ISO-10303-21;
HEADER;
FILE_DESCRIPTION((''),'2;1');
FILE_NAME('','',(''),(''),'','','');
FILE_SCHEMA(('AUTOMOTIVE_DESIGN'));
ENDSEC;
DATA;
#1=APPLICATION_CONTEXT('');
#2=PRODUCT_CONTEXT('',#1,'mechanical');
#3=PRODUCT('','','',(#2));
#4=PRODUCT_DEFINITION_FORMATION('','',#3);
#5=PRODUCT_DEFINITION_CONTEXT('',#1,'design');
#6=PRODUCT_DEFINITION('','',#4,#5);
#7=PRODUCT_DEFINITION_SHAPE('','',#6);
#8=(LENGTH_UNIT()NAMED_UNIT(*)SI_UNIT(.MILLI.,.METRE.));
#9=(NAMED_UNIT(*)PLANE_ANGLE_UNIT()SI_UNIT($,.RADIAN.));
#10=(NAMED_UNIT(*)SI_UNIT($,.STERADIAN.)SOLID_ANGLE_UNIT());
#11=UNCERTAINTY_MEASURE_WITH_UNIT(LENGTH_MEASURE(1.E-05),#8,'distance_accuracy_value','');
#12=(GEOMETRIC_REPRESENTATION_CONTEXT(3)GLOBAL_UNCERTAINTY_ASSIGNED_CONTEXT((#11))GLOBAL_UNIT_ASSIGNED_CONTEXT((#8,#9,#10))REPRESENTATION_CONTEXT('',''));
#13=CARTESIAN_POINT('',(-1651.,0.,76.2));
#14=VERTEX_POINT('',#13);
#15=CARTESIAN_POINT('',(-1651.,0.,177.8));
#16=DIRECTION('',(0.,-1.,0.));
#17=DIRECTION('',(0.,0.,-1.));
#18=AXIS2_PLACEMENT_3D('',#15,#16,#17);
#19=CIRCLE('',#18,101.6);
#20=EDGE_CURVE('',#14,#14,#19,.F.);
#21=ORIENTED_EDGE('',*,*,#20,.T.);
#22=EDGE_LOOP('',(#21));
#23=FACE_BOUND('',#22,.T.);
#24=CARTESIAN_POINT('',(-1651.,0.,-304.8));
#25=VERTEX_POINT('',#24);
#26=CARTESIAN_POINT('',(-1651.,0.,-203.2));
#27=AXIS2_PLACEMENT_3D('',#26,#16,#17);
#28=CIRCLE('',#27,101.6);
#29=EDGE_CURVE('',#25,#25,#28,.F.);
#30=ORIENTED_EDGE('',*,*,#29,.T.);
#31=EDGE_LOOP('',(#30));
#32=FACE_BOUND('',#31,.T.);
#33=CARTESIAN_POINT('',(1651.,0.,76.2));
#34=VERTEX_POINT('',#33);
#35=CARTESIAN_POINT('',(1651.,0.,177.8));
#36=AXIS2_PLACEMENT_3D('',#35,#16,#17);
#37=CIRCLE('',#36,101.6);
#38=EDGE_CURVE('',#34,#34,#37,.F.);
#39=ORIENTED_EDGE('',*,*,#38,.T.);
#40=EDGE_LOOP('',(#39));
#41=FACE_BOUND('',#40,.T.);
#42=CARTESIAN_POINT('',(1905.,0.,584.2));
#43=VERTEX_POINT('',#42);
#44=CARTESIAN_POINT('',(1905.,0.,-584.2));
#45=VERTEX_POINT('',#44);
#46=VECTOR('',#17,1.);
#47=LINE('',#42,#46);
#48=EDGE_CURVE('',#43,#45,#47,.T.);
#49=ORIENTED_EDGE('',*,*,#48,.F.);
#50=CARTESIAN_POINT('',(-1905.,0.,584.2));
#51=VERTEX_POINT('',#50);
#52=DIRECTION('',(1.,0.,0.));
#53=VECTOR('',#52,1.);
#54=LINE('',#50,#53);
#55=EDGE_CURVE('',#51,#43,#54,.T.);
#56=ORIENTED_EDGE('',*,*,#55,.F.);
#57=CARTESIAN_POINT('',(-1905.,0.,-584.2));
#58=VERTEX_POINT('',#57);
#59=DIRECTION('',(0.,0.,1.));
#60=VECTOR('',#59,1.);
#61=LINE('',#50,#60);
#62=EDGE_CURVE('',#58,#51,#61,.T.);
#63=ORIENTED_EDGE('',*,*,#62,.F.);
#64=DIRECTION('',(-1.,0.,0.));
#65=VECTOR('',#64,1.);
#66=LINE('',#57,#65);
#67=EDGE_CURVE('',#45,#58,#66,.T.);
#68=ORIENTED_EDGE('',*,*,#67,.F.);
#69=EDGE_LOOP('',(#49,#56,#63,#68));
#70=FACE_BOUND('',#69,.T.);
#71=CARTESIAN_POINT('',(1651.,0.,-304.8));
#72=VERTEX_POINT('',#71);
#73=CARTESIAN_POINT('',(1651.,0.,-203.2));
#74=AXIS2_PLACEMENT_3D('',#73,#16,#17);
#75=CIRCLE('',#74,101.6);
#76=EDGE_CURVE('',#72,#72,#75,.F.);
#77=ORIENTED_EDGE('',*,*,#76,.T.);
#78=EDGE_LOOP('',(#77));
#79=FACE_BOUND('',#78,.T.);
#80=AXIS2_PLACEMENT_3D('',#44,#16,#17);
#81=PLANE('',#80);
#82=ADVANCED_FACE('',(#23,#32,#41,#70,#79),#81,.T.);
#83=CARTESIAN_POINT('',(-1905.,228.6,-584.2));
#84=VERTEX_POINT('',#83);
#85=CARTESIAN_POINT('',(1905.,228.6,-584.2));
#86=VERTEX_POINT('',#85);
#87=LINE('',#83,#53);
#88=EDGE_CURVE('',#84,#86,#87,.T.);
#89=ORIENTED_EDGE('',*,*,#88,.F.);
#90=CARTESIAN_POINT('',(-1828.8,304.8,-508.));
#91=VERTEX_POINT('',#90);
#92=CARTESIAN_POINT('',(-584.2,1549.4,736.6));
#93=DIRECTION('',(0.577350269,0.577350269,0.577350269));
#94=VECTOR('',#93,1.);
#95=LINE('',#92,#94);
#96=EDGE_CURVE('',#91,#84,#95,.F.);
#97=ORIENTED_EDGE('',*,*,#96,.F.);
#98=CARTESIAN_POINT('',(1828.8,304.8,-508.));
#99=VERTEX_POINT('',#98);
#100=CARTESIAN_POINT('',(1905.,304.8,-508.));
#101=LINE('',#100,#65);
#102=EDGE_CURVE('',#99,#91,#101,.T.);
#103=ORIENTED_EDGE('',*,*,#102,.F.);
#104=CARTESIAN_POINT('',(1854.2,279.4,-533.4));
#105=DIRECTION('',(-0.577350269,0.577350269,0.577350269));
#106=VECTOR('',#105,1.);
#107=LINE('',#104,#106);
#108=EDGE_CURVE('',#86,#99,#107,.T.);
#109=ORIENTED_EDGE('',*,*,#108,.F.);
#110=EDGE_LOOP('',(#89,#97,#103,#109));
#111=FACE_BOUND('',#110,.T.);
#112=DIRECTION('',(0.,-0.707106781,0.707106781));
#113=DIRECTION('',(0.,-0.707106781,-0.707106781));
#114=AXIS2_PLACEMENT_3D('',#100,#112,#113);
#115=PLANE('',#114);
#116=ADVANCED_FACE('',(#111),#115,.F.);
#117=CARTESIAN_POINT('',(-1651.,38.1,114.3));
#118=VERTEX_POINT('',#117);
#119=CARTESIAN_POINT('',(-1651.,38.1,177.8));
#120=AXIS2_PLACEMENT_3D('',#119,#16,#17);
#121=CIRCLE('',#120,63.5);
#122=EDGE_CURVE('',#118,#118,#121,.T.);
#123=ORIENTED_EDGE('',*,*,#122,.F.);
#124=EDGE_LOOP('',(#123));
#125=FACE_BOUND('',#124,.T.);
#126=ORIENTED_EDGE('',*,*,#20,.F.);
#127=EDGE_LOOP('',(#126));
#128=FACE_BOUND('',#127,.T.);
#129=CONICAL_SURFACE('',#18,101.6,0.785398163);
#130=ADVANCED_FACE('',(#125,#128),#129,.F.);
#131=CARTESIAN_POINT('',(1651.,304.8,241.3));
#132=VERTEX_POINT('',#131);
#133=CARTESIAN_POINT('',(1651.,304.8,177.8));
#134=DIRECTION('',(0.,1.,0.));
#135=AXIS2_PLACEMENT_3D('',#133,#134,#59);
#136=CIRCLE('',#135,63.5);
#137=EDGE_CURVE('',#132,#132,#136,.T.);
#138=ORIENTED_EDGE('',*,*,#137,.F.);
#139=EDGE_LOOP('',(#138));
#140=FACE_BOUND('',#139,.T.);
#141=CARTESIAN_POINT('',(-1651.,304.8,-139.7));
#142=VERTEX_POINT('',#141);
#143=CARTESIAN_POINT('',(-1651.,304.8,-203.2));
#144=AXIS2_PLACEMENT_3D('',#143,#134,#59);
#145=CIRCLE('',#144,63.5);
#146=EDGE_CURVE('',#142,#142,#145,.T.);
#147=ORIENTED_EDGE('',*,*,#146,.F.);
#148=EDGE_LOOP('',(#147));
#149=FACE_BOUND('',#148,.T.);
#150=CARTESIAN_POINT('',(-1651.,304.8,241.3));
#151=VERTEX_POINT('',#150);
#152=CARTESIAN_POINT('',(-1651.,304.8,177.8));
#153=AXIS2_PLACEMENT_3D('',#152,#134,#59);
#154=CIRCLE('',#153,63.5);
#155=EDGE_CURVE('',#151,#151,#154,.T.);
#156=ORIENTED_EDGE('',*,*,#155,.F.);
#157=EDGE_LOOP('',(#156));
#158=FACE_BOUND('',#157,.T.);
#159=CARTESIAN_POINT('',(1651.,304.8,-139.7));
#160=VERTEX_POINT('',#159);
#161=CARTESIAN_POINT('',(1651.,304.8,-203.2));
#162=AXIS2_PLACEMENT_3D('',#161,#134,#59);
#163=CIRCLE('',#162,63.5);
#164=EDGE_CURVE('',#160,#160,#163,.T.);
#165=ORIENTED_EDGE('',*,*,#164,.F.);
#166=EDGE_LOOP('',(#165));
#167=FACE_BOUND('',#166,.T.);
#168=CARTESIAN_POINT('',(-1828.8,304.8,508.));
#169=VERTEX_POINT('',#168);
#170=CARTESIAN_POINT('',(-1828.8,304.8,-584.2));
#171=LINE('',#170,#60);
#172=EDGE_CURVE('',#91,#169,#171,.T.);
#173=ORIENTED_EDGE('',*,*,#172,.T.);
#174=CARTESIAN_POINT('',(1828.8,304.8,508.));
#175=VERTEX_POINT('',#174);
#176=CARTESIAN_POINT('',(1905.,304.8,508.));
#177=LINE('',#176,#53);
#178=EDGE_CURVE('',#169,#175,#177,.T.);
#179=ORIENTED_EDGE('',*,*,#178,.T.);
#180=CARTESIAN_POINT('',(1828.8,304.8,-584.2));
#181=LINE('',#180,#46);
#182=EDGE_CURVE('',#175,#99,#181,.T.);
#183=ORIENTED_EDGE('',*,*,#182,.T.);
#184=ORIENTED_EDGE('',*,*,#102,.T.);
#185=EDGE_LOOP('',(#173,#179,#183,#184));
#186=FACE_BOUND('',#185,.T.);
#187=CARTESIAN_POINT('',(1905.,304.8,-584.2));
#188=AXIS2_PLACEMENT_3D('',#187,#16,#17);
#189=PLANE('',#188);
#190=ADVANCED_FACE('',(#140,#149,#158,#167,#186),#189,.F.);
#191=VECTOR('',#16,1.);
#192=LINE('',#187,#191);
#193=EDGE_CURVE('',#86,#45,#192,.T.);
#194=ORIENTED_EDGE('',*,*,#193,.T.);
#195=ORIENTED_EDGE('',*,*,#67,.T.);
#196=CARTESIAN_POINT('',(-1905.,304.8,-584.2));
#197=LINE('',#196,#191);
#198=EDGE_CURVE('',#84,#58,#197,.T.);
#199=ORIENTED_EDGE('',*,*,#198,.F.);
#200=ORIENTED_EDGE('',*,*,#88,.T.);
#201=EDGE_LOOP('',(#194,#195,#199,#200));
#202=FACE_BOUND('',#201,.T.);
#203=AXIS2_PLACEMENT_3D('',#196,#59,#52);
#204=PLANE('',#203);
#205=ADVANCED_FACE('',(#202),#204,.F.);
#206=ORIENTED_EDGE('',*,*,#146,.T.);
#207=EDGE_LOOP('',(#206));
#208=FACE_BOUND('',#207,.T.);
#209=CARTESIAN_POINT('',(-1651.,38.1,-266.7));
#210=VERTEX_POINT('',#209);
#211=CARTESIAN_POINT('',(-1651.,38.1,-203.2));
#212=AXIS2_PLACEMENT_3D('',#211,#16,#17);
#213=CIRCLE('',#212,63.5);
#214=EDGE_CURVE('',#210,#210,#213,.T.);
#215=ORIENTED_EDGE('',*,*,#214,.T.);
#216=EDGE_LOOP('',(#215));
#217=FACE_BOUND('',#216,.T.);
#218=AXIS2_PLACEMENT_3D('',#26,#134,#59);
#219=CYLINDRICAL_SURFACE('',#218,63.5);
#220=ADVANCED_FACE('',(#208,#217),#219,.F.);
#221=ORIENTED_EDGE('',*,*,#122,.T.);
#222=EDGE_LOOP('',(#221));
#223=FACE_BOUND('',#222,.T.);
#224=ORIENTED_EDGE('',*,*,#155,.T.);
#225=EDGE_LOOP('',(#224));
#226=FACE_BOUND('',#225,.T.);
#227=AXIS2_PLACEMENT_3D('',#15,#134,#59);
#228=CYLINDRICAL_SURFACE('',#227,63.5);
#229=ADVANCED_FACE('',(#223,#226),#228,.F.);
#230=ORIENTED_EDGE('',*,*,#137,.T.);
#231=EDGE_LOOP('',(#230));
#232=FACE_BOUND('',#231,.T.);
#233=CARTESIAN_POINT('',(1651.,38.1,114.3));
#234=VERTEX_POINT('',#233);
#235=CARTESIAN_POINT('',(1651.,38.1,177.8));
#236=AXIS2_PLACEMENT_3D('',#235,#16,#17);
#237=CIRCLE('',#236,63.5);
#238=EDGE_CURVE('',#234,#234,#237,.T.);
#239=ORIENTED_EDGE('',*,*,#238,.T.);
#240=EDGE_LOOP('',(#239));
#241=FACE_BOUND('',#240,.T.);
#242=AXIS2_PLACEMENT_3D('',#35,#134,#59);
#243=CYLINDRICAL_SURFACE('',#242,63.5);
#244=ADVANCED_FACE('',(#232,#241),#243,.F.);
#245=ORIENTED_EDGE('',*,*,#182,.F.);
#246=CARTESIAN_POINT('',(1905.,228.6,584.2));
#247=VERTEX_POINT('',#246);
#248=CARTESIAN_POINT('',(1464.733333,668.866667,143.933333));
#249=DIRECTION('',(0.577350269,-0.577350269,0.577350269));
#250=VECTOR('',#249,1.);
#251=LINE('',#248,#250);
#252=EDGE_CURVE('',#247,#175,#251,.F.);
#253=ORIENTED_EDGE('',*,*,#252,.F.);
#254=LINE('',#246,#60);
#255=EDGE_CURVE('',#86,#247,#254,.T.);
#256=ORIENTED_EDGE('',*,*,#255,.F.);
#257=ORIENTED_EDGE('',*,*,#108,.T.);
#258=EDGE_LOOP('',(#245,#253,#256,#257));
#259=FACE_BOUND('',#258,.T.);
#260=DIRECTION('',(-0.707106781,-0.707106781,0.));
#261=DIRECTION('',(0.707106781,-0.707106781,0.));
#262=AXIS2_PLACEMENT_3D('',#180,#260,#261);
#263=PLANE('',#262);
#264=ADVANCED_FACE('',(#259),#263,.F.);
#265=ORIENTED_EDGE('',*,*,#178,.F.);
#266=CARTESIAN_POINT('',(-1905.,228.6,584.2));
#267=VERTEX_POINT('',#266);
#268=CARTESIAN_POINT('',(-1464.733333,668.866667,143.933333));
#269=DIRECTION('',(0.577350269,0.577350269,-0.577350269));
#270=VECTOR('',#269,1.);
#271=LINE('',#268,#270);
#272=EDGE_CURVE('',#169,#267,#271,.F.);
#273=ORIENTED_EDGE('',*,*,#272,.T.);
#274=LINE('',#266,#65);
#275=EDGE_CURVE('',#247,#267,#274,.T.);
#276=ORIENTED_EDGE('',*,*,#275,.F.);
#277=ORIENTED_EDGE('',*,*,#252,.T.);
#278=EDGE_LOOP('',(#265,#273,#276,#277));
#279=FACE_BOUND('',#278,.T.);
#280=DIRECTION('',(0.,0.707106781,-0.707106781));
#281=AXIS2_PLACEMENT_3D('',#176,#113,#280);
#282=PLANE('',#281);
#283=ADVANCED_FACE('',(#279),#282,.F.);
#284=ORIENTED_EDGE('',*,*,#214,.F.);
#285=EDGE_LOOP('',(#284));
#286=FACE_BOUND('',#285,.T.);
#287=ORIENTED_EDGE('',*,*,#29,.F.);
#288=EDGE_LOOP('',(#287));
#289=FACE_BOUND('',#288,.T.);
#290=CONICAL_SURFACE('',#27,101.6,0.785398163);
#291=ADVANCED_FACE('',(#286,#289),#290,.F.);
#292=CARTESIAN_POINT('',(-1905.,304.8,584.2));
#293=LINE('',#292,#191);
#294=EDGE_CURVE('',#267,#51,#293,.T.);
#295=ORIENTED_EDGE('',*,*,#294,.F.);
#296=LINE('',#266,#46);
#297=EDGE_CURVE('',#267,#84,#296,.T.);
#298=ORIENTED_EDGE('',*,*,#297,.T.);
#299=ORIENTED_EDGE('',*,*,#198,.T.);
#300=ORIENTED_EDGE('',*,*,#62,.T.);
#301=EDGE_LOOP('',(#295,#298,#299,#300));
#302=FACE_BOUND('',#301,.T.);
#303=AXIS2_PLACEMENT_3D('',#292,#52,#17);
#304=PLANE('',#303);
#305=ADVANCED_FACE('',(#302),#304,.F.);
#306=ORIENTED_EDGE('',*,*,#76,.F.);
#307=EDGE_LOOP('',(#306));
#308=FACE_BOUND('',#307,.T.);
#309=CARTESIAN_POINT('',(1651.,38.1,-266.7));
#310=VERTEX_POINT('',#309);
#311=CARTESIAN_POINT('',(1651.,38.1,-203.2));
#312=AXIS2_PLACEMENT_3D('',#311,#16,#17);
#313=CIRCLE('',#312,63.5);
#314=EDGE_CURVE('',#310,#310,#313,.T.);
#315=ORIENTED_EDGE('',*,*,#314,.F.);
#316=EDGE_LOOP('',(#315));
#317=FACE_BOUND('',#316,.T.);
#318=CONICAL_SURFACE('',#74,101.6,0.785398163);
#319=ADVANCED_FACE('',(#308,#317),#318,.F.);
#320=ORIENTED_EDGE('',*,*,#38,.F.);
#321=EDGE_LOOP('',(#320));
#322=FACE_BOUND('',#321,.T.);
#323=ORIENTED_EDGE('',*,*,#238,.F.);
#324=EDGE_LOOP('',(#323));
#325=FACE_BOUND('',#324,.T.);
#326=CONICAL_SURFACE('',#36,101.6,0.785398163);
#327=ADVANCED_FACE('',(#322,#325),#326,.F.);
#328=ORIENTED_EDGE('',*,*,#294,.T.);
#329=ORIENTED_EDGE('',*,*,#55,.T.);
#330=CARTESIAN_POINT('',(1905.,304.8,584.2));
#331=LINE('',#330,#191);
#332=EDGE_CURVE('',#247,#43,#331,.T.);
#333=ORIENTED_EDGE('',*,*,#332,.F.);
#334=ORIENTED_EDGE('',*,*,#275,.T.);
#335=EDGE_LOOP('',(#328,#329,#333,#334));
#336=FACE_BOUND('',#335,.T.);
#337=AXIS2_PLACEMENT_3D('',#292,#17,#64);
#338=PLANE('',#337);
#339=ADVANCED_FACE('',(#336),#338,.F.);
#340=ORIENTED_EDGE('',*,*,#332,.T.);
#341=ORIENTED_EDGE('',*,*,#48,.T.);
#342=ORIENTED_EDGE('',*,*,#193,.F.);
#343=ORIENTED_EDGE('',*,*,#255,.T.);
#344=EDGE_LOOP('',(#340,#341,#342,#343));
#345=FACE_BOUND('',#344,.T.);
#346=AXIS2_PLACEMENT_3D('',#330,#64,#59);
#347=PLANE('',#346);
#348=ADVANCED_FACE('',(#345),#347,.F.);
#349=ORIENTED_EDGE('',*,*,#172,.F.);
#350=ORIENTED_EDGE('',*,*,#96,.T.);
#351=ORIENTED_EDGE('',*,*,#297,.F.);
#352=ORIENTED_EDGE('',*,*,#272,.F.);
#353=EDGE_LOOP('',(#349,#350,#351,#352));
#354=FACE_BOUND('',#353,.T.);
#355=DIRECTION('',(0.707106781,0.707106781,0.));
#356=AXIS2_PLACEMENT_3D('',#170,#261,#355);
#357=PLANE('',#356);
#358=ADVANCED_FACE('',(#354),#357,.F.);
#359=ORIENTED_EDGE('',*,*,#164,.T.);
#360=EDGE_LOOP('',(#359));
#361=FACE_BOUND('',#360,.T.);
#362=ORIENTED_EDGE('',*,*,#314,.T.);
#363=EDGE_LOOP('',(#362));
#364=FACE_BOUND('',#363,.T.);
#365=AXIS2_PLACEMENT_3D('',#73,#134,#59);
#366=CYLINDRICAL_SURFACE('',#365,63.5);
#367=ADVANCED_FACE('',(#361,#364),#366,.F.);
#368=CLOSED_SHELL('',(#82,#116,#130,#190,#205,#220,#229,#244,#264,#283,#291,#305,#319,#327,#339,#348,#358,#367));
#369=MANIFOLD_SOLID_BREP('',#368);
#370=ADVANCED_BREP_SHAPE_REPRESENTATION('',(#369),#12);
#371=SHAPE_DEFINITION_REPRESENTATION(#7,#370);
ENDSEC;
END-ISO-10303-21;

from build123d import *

# Parameters (mm, degrees)
SKETCH1_W           = 3810
SKETCH1_H           = 1168.4
BOSS_EXTRUDE1_DEPTH = 304.8
CHAMFER1_SIZE       = 76.2
SKETCH3_R           = 63.5
CUT_EXTRUDE1_DEPTH  = 305.8
CHAMFER2_SIZE       = 38.1


with BuildPart() as part:
    # Sketch1 → Boss-Extrude1 (new body)
    with BuildSketch(Plane(origin=(0, 0, 0), x_dir=(1, 0, 0), z_dir=(0, 1, 0))):
        Rectangle(SKETCH1_W, SKETCH1_H)
    extrude(amount=BOSS_EXTRUDE1_DEPTH)

    # Chamfer1
    chamfer1_edges = [part.edges().sort_by_distance(p)[0] for p in [
        (-1905, 304.8, 0),
        (0, 304.8, 584.2),
        (1905, 304.8, 0),
        (0, 304.8, -584.2),
    ]]
    chamfer(chamfer1_edges, length=CHAMFER1_SIZE)

    # Sketch3 → Cut-Extrude1 (cut, through all)
    with BuildSketch(Plane(origin=(0, 304.8, 0), x_dir=(1, 0, 0), z_dir=(0, 1, 0))):
        with Locations(Location((-1651, -177.8, 0), (0, 0, 270))):  # turned: the seam where the file's is
            Circle(SKETCH3_R)
        with Locations(Location((-1651, 203.2, 0), (0, 0, 270))):  # turned: the seam where the file's is
            Circle(SKETCH3_R)
        with Locations(Location((1651, 203.2, 0), (0, 0, 270))):  # turned: the seam where the file's is
            Circle(SKETCH3_R)
        with Locations(Location((1651, -177.8, 0), (0, 0, 270))):  # turned: the seam where the file's is
            Circle(SKETCH3_R)
    extrude(amount=-CUT_EXTRUDE1_DEPTH, mode=Mode.SUBTRACT)

    # Chamfer2
    chamfer2_edges = [part.edges().sort_by_distance(p)[0] for p in [
        (-1651, 0, 114.3),
        (-1651, 0, -266.7),
        (1651, 0, -266.7),
        (1651, 0, 114.3),
    ]]
    chamfer(chamfer2_edges, length=CHAMFER2_SIZE)


solid = part.part
